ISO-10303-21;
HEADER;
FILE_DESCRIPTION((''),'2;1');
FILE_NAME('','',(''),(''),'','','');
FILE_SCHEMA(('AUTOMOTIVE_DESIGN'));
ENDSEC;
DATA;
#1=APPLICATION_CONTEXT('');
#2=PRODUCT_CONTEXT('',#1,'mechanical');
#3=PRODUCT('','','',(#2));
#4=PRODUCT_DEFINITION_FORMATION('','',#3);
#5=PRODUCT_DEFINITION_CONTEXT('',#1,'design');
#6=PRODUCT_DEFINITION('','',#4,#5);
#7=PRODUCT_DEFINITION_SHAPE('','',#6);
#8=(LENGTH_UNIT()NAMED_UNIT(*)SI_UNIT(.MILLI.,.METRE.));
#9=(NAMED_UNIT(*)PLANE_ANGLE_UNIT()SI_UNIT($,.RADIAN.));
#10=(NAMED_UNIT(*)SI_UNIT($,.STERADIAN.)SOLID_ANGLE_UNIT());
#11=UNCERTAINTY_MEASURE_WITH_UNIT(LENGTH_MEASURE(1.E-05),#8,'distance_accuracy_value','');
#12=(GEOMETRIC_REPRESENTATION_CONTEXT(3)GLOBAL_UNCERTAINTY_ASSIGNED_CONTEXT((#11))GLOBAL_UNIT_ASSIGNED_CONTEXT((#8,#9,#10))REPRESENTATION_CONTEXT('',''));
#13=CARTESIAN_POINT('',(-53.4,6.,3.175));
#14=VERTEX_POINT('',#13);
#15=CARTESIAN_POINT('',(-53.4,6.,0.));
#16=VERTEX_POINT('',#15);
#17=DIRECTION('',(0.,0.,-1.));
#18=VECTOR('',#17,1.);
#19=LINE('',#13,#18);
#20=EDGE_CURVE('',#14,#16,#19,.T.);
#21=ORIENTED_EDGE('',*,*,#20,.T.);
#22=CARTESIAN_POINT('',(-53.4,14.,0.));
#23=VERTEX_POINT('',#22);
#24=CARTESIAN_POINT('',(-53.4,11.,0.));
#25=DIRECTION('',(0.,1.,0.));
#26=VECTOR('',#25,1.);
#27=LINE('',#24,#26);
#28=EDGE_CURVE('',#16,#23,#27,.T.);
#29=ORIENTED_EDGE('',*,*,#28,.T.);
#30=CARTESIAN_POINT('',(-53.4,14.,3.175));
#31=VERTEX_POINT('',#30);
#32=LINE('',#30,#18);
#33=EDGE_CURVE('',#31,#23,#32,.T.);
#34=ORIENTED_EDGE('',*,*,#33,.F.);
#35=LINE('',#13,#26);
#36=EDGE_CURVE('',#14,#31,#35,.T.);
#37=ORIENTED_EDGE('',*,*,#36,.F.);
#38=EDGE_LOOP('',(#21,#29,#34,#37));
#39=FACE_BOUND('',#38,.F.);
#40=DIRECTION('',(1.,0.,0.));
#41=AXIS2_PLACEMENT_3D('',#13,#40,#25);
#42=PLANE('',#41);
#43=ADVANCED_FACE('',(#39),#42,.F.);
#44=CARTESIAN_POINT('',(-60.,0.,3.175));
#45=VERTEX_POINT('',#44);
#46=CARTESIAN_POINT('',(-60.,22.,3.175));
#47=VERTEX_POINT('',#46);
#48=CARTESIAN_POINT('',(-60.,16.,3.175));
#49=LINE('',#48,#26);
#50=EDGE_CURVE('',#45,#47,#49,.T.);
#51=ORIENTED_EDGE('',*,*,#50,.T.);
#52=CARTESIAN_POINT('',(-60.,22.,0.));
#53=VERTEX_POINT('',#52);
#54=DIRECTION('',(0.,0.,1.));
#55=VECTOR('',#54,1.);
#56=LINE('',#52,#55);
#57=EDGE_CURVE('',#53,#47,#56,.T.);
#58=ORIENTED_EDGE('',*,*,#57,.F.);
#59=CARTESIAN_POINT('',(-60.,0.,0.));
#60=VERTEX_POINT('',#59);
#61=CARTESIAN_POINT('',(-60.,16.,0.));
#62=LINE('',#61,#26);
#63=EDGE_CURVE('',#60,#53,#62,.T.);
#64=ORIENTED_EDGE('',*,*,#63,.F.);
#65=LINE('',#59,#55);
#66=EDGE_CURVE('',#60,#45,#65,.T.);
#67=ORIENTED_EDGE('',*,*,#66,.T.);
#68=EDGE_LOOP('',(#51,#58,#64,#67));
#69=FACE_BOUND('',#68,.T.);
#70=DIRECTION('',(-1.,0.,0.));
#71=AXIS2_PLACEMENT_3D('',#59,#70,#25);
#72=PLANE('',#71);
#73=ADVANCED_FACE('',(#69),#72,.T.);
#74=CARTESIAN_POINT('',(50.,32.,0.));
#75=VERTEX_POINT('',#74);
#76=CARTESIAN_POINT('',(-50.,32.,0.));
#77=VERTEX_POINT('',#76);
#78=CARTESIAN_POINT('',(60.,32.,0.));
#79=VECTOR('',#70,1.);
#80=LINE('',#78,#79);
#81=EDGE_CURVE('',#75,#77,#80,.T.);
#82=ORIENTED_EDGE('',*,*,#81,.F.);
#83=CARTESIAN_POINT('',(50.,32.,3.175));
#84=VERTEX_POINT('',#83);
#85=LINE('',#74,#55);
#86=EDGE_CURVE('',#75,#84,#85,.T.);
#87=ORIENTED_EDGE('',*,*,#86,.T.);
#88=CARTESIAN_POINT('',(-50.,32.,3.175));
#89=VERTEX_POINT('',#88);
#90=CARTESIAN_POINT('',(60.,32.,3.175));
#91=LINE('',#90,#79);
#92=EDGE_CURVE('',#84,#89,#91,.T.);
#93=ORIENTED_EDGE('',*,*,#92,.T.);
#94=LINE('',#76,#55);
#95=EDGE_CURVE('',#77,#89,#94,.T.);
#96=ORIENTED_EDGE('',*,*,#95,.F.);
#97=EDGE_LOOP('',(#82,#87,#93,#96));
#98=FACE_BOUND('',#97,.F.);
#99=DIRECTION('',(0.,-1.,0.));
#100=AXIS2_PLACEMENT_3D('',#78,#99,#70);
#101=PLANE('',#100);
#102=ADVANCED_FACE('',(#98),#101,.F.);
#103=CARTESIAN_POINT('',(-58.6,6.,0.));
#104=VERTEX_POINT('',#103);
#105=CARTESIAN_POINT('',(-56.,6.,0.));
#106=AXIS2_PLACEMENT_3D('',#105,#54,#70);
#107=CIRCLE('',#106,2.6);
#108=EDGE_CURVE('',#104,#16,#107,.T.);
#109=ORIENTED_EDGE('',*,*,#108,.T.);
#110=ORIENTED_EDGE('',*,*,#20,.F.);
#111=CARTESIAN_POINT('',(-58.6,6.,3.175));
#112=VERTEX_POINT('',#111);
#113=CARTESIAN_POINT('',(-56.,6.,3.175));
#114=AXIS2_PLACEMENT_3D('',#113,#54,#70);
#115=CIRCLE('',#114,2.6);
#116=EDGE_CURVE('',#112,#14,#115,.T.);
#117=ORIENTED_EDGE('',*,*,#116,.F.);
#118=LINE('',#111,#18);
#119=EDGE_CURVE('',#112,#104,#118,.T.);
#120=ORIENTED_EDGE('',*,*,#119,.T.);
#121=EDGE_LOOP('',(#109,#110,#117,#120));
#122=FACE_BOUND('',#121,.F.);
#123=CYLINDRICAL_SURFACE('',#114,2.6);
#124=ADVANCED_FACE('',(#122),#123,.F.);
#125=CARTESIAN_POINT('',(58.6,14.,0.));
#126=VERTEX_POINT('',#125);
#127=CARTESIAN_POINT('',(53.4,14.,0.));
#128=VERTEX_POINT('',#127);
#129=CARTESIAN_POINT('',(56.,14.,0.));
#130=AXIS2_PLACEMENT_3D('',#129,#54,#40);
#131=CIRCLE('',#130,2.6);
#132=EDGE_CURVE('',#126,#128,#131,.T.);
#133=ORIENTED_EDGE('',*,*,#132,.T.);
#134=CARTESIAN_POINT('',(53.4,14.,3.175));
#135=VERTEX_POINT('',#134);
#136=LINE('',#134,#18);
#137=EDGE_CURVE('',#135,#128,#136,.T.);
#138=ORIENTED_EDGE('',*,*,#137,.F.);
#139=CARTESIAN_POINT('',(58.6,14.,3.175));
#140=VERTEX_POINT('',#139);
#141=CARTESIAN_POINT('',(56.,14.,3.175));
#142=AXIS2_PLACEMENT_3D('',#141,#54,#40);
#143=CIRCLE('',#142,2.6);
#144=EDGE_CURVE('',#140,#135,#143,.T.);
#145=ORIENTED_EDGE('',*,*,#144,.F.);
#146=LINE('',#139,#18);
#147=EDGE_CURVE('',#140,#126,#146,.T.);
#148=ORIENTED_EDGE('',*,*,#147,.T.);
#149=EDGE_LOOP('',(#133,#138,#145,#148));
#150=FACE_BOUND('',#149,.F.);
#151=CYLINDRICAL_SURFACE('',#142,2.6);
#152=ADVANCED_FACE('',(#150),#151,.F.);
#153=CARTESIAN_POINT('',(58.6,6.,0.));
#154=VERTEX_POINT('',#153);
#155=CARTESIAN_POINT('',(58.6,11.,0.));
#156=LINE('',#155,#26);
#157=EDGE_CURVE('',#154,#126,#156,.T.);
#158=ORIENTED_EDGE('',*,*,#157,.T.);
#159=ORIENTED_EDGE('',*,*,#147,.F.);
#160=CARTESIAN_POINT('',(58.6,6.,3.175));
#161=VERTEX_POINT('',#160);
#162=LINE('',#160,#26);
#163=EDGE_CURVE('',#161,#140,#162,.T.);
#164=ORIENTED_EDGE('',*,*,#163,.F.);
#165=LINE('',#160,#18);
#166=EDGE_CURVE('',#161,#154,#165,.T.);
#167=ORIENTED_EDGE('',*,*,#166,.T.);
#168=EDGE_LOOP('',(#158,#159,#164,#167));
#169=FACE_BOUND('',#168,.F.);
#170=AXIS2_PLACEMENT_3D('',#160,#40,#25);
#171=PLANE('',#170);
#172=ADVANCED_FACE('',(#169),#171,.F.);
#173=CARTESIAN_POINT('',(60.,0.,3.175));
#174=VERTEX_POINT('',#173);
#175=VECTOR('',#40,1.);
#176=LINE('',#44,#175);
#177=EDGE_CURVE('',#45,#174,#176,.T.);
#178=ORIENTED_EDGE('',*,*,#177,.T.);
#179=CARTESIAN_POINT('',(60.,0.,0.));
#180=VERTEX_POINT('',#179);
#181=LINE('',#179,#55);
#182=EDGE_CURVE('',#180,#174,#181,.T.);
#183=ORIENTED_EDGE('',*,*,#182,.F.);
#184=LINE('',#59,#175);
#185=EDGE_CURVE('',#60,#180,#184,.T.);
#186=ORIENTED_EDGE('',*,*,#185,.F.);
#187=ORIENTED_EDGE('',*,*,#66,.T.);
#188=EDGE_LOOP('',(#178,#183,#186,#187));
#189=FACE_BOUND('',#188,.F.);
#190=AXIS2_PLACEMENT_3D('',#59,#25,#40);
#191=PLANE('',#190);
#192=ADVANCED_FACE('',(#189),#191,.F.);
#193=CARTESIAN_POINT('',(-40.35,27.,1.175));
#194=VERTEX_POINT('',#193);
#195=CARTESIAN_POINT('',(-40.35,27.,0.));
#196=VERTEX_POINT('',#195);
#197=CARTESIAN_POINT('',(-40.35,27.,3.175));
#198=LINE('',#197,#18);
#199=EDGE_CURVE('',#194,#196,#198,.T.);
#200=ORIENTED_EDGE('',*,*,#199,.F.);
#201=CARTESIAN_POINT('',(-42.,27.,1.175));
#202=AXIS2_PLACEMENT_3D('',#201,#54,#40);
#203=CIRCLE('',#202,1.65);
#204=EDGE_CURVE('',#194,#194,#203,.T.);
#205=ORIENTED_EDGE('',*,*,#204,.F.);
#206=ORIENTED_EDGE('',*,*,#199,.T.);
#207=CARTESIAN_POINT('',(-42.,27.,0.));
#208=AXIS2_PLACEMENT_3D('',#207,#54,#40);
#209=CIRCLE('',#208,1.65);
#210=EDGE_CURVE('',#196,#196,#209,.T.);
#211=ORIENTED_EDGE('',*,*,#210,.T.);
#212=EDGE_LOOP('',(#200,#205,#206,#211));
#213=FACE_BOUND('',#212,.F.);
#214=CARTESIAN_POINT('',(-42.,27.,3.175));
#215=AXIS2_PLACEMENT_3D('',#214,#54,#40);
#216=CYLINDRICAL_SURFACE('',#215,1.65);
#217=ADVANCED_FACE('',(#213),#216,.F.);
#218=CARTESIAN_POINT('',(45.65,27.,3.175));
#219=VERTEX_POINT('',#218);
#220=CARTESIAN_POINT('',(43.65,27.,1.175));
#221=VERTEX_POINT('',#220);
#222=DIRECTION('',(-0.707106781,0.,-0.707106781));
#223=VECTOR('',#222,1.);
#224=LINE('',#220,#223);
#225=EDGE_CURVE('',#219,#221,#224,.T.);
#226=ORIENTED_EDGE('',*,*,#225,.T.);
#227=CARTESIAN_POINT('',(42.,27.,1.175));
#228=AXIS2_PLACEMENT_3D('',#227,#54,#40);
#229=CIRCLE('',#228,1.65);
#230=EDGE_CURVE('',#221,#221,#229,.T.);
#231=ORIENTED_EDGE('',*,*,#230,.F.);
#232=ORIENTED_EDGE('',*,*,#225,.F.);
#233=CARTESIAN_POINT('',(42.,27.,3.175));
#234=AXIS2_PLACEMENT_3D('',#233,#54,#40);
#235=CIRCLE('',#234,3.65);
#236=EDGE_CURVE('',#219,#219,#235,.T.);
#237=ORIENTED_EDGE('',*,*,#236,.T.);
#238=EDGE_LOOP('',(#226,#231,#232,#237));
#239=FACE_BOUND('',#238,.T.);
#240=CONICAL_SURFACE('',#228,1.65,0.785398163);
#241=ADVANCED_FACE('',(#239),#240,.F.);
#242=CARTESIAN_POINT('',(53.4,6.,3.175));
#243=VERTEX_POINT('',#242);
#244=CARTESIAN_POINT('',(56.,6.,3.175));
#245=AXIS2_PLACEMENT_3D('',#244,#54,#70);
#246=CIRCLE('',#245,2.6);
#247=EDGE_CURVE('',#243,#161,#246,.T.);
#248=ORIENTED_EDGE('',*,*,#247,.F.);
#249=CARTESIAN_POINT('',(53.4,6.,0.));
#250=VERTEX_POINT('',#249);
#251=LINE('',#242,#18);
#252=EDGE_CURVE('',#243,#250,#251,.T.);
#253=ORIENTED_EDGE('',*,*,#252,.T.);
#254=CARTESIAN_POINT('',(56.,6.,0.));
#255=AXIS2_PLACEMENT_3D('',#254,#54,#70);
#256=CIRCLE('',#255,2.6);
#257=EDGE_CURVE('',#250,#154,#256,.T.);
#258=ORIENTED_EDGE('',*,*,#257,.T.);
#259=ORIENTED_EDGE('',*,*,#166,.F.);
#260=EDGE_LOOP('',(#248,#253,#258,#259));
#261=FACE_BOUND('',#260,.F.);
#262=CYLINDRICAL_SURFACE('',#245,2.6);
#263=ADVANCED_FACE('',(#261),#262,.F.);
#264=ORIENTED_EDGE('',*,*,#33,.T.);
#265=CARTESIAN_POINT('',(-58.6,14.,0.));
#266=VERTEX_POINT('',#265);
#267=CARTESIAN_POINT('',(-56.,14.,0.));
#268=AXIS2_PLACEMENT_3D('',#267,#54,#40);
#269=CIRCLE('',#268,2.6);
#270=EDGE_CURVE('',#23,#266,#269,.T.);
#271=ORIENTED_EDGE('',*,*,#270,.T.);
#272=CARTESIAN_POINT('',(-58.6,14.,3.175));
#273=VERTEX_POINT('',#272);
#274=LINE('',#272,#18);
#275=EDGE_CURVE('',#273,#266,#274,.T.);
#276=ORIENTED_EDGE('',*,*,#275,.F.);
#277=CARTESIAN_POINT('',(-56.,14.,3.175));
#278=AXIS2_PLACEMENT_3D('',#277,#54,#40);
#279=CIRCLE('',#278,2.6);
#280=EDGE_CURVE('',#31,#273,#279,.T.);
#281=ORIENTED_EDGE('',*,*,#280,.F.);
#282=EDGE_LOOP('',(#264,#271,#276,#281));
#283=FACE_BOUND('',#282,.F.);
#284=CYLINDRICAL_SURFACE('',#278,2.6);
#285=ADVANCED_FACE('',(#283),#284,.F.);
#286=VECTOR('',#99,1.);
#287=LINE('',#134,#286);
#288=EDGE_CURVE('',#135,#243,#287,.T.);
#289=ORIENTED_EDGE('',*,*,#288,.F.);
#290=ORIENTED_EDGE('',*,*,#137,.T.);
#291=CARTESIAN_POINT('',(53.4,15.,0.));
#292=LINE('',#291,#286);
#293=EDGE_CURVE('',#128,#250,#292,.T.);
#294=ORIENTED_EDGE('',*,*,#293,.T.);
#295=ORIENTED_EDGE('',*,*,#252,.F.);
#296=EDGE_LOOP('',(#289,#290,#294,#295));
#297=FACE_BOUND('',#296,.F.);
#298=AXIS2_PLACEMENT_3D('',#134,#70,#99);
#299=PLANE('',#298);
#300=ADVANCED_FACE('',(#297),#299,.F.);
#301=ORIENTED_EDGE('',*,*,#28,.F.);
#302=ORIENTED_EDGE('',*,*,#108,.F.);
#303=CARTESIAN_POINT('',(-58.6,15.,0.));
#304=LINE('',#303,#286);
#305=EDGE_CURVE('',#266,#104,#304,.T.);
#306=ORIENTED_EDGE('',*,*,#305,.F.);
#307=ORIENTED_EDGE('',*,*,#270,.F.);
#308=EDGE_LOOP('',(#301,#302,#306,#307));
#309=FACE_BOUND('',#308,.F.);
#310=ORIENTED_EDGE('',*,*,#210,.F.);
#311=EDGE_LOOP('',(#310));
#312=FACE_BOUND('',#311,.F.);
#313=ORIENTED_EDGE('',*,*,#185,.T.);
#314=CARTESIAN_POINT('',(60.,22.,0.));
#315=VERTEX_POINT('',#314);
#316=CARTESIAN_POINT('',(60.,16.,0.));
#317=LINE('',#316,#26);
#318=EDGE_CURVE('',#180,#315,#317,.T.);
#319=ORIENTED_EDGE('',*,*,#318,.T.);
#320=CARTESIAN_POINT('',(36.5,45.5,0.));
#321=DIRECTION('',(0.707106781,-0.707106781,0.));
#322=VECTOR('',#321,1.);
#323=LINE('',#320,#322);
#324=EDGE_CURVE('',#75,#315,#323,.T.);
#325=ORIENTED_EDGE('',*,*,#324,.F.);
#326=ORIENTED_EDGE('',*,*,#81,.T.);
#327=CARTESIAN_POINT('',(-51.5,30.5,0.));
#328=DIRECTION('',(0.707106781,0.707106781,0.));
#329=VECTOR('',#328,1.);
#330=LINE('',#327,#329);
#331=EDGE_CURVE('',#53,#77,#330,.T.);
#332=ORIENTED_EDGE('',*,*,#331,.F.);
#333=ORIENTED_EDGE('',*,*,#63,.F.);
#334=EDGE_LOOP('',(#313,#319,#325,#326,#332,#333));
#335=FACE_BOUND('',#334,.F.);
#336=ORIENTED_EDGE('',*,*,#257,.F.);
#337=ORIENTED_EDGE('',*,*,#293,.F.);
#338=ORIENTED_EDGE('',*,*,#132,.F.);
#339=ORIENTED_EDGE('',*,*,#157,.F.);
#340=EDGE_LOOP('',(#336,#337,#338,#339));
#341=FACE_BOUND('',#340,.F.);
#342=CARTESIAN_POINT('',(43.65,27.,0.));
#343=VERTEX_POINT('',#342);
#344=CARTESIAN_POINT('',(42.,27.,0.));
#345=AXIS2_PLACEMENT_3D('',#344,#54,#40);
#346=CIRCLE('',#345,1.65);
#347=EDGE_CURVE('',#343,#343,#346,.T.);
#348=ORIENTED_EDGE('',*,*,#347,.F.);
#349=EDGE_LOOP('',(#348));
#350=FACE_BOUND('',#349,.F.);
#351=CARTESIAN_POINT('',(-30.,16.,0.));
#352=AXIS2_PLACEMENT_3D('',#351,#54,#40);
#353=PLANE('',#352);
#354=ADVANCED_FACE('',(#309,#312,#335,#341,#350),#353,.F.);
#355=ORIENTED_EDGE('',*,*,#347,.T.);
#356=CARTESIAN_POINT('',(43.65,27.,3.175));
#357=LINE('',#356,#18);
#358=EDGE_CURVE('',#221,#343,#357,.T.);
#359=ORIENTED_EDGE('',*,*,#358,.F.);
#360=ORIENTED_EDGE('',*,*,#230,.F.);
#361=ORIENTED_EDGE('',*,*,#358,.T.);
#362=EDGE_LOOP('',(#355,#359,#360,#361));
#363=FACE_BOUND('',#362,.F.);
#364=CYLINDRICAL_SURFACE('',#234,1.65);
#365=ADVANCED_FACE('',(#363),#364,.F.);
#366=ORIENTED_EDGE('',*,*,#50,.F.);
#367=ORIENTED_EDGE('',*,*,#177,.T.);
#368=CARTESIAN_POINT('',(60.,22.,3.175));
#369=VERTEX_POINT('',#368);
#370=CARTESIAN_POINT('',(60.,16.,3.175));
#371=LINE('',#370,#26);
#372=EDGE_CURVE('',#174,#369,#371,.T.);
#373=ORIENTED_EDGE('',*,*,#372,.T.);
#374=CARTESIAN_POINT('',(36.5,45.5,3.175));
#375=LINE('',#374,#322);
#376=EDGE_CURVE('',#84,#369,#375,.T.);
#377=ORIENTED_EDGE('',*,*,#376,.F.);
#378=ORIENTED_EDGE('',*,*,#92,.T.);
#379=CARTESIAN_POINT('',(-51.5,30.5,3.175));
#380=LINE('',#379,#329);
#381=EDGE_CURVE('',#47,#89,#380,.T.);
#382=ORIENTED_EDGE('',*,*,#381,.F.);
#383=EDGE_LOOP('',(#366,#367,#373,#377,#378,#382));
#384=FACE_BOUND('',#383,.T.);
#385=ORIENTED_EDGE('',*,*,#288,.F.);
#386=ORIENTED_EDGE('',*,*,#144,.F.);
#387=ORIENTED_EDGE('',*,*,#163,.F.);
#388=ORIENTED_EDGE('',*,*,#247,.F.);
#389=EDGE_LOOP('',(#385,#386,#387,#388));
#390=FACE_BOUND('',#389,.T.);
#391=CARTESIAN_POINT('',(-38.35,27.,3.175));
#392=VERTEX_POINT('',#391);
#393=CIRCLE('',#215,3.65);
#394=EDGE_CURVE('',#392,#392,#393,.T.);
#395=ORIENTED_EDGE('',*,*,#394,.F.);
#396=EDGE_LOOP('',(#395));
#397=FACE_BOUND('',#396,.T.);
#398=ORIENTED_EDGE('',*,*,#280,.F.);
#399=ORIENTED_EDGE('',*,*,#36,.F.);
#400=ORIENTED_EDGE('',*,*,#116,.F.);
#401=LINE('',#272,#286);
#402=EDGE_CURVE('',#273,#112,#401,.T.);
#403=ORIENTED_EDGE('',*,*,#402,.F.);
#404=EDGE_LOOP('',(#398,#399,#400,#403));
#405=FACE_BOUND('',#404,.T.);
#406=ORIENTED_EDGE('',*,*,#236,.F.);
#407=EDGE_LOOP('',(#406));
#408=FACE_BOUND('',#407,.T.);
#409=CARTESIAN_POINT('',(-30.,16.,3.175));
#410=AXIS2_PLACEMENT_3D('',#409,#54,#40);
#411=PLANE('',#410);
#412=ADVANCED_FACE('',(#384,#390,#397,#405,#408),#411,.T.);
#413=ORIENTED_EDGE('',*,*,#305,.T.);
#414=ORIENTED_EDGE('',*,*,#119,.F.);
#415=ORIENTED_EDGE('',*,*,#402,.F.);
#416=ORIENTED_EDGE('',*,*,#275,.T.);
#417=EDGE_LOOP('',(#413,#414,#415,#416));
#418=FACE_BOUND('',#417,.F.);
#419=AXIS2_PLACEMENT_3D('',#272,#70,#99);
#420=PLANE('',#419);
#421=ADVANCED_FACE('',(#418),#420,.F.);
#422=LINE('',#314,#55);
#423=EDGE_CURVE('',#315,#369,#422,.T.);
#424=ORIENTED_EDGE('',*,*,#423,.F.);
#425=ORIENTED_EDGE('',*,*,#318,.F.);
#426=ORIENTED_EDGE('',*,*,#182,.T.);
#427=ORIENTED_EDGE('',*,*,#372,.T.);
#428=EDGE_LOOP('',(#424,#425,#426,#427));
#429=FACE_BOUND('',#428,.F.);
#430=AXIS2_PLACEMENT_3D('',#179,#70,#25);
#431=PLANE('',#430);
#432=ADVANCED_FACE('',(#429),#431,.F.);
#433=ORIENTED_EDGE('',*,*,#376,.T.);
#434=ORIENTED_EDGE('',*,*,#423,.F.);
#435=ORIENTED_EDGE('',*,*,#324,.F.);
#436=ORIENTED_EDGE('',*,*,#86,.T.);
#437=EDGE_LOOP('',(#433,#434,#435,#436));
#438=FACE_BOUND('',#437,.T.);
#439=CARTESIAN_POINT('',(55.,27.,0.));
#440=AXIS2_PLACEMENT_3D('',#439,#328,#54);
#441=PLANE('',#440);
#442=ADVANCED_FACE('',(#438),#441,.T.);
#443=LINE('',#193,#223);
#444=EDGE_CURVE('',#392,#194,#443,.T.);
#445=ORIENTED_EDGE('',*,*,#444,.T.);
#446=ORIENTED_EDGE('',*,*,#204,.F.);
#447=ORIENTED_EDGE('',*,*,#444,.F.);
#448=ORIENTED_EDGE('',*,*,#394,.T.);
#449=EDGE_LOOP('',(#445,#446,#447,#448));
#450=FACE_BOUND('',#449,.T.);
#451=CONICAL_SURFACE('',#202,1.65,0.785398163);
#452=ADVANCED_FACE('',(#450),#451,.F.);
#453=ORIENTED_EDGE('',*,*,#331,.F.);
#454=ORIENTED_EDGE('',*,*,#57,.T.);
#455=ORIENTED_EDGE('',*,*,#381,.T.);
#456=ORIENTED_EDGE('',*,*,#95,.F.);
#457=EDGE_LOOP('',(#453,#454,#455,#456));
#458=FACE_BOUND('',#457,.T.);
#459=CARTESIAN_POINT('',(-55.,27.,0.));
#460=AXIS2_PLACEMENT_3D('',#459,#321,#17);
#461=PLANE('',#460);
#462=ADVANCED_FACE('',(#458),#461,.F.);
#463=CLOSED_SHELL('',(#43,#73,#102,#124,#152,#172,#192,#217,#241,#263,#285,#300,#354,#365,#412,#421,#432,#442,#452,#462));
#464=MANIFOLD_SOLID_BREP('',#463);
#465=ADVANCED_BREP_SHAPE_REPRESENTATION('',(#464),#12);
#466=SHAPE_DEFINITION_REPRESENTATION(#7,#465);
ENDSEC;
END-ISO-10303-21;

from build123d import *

# Parameters (mm, degrees)
F0_W     = 60
F0_H     = 32
F1_DEPTH = 3.175
F2_R     = 1.65
F3_DEPTH = 3.176
F4_SIZE  = 2
F5_SIZE  = 10


with BuildPart() as f1:
    # F0 (on Top) → F1 (new body)
    with BuildSketch(Plane.XY):
        with Locations((-30, 16)):
            Rectangle(F0_W, F0_H)
        with Locations((30, 16)):
            Rectangle(F0_W, F0_H)
    extrude(amount=F1_DEPTH)

    # F2 (on face) → F3 (cut, through all)
    with BuildSketch(Plane.XY.offset(3.175)):
        with BuildLine():
            ThreePointArc((-58.6, 14), (-56, 11.4), (-53.4, 14))
            ThreePointArc((-53.4, 14), (-56, 16.6), (-58.6, 14))
        make_face()
        with Locations((-42, 27)):
            Circle(F2_R)
        with Locations((42, 27)):
            Circle(F2_R)
        with BuildLine():
            ThreePointArc((53.4, 14), (56, 11.4), (58.6, 14))
            ThreePointArc((58.6, 14), (56, 16.6), (53.4, 14))
        make_face()
        with BuildLine():
            Line((-53.4, 6), (-53.4, 14))
            ThreePointArc((-53.4, 14), (-56, 11.4), (-58.6, 14))
            Line((-58.6, 14), (-58.6, 6))
            ThreePointArc((-58.6, 6), (-56, 8.6), (-53.4, 6))
        make_face()
        with BuildLine():
            Line((-58.6, 6), (-53.4, 6))
            ThreePointArc((-53.4, 6), (-56, 8.6), (-58.6, 6))
        make_face()
        with BuildLine():
            ThreePointArc((-58.6, 6), (-56, 3.4), (-53.4, 6))
            Line((-53.4, 6), (-58.6, 6))
        make_face()
        with BuildLine():
            Line((58.6, 6), (58.6, 14))
            ThreePointArc((58.6, 14), (56, 11.4), (53.4, 14))
            Line((53.4, 14), (53.4, 6))
            ThreePointArc((53.4, 6), (56, 8.6), (58.6, 6))
        make_face()
        with BuildLine():
            Line((53.4, 6), (58.6, 6))
            ThreePointArc((58.6, 6), (56, 8.6), (53.4, 6))
        make_face()
        with BuildLine():
            ThreePointArc((53.4, 6), (56, 3.4), (58.6, 6))
            Line((58.6, 6), (53.4, 6))
        make_face()
    extrude(amount=-F3_DEPTH, mode=Mode.SUBTRACT)

    # F4
    f4_edges = [f1.edges().sort_by_distance(p)[0] for p in [
        (-43.65, 27, 3.175),
        (40.35, 27, 3.175),
    ]]
    chamfer(f4_edges, length=F4_SIZE)

    # F5
    f5_edges = [f1.edges().sort_by_distance(p)[0] for p in [
        (-60, 32, 1.5875),
        (60, 32, 1.5875),
    ]]
    chamfer(f5_edges, length=F5_SIZE)


solid = f1.part
